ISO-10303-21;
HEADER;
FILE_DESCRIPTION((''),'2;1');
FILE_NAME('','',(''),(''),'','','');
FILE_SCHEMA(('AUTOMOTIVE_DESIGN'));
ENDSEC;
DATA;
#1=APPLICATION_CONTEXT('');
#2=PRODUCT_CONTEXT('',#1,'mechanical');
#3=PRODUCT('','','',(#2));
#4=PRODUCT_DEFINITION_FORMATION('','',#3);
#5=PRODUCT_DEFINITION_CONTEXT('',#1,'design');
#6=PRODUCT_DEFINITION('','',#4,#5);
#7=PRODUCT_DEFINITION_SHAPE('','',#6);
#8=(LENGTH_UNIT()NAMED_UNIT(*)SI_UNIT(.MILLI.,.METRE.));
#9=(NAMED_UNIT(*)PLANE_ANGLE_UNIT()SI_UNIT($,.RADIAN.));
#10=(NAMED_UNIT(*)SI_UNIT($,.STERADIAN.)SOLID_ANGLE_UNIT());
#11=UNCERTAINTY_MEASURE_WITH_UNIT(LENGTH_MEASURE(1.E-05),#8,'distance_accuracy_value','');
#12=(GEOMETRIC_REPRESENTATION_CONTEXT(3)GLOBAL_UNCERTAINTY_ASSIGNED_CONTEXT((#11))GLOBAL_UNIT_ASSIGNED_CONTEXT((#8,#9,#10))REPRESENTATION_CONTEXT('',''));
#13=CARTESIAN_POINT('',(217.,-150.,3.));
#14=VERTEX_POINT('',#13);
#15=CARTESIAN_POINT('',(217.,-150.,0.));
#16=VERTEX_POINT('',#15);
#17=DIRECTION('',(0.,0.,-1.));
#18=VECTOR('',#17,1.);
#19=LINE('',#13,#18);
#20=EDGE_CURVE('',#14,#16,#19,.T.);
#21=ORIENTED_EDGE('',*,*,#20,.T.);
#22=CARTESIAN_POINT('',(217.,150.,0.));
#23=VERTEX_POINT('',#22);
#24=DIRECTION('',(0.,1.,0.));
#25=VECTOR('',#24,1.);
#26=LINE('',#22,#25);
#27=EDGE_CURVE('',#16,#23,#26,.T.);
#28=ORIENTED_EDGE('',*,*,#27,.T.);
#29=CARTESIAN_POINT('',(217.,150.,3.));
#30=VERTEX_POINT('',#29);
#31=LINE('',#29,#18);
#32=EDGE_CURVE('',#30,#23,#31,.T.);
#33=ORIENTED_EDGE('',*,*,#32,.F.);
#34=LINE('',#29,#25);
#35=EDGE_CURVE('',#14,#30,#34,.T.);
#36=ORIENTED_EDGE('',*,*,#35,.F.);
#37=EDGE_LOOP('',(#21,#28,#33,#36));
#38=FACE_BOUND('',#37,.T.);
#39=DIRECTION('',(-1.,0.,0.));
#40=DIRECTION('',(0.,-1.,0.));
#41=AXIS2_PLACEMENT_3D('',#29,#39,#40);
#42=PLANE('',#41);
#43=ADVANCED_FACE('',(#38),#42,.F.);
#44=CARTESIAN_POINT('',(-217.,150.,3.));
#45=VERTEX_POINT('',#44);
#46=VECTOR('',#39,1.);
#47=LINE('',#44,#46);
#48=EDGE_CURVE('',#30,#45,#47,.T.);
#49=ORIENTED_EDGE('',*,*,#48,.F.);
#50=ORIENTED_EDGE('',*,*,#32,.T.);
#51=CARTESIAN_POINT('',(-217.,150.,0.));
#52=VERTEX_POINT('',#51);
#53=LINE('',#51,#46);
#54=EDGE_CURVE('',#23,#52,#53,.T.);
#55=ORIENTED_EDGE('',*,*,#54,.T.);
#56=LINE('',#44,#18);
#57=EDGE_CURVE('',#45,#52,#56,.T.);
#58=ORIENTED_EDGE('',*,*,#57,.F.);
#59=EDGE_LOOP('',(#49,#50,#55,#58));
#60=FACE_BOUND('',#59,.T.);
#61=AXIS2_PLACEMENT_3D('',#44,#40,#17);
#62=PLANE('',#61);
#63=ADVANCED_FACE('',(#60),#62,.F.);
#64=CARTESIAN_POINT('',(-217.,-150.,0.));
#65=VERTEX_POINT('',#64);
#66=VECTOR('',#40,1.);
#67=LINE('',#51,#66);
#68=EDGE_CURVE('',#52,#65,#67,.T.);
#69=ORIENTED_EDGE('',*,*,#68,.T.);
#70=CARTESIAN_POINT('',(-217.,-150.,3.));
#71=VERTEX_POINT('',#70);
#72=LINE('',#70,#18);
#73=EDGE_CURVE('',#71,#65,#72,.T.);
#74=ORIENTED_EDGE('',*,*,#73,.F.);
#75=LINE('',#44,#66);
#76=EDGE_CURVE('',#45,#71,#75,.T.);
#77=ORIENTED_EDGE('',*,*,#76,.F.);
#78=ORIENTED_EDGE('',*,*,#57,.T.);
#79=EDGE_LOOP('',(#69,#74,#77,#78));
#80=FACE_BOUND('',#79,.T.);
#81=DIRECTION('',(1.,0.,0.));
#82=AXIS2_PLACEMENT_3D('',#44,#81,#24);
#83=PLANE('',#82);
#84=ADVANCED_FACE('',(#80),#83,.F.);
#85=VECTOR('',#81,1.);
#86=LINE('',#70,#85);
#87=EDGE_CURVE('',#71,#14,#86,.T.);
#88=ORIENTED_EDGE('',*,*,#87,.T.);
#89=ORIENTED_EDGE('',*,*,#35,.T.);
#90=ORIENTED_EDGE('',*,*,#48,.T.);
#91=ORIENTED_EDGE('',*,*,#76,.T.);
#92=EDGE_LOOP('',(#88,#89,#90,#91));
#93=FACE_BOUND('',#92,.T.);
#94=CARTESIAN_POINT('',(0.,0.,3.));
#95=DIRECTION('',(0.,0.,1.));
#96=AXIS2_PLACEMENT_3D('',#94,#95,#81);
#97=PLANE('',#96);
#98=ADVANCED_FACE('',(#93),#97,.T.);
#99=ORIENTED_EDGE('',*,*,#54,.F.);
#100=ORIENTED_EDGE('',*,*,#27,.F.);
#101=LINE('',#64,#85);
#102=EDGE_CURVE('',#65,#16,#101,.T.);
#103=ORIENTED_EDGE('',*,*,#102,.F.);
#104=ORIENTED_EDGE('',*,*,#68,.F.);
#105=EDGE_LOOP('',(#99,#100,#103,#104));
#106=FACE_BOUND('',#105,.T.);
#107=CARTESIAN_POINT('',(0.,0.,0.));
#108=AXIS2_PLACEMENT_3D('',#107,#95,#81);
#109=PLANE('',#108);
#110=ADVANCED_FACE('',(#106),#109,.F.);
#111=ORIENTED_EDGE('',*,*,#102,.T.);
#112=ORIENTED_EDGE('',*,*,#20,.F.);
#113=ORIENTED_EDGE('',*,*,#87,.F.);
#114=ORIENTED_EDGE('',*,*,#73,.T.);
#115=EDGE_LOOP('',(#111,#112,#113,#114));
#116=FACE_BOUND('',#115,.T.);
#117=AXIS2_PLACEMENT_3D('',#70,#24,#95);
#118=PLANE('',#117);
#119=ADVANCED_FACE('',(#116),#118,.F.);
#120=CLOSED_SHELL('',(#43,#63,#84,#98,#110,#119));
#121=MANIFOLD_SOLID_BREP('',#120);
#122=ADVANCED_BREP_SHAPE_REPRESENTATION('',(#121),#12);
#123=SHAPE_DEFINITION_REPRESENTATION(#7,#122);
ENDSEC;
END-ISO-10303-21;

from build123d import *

# Parameters (mm, degrees)
ESQUISSE1_W        = 434
ESQUISSE1_H        = 300
BOSS_EXTRU_1_DEPTH = 3


with BuildPart() as part:
    # Esquisse1 → Boss.-Extru.1 (new body)
    with BuildSketch(Plane.XY):
        Rectangle(ESQUISSE1_W, ESQUISSE1_H)
    extrude(amount=BOSS_EXTRU_1_DEPTH)


solid = part.part
